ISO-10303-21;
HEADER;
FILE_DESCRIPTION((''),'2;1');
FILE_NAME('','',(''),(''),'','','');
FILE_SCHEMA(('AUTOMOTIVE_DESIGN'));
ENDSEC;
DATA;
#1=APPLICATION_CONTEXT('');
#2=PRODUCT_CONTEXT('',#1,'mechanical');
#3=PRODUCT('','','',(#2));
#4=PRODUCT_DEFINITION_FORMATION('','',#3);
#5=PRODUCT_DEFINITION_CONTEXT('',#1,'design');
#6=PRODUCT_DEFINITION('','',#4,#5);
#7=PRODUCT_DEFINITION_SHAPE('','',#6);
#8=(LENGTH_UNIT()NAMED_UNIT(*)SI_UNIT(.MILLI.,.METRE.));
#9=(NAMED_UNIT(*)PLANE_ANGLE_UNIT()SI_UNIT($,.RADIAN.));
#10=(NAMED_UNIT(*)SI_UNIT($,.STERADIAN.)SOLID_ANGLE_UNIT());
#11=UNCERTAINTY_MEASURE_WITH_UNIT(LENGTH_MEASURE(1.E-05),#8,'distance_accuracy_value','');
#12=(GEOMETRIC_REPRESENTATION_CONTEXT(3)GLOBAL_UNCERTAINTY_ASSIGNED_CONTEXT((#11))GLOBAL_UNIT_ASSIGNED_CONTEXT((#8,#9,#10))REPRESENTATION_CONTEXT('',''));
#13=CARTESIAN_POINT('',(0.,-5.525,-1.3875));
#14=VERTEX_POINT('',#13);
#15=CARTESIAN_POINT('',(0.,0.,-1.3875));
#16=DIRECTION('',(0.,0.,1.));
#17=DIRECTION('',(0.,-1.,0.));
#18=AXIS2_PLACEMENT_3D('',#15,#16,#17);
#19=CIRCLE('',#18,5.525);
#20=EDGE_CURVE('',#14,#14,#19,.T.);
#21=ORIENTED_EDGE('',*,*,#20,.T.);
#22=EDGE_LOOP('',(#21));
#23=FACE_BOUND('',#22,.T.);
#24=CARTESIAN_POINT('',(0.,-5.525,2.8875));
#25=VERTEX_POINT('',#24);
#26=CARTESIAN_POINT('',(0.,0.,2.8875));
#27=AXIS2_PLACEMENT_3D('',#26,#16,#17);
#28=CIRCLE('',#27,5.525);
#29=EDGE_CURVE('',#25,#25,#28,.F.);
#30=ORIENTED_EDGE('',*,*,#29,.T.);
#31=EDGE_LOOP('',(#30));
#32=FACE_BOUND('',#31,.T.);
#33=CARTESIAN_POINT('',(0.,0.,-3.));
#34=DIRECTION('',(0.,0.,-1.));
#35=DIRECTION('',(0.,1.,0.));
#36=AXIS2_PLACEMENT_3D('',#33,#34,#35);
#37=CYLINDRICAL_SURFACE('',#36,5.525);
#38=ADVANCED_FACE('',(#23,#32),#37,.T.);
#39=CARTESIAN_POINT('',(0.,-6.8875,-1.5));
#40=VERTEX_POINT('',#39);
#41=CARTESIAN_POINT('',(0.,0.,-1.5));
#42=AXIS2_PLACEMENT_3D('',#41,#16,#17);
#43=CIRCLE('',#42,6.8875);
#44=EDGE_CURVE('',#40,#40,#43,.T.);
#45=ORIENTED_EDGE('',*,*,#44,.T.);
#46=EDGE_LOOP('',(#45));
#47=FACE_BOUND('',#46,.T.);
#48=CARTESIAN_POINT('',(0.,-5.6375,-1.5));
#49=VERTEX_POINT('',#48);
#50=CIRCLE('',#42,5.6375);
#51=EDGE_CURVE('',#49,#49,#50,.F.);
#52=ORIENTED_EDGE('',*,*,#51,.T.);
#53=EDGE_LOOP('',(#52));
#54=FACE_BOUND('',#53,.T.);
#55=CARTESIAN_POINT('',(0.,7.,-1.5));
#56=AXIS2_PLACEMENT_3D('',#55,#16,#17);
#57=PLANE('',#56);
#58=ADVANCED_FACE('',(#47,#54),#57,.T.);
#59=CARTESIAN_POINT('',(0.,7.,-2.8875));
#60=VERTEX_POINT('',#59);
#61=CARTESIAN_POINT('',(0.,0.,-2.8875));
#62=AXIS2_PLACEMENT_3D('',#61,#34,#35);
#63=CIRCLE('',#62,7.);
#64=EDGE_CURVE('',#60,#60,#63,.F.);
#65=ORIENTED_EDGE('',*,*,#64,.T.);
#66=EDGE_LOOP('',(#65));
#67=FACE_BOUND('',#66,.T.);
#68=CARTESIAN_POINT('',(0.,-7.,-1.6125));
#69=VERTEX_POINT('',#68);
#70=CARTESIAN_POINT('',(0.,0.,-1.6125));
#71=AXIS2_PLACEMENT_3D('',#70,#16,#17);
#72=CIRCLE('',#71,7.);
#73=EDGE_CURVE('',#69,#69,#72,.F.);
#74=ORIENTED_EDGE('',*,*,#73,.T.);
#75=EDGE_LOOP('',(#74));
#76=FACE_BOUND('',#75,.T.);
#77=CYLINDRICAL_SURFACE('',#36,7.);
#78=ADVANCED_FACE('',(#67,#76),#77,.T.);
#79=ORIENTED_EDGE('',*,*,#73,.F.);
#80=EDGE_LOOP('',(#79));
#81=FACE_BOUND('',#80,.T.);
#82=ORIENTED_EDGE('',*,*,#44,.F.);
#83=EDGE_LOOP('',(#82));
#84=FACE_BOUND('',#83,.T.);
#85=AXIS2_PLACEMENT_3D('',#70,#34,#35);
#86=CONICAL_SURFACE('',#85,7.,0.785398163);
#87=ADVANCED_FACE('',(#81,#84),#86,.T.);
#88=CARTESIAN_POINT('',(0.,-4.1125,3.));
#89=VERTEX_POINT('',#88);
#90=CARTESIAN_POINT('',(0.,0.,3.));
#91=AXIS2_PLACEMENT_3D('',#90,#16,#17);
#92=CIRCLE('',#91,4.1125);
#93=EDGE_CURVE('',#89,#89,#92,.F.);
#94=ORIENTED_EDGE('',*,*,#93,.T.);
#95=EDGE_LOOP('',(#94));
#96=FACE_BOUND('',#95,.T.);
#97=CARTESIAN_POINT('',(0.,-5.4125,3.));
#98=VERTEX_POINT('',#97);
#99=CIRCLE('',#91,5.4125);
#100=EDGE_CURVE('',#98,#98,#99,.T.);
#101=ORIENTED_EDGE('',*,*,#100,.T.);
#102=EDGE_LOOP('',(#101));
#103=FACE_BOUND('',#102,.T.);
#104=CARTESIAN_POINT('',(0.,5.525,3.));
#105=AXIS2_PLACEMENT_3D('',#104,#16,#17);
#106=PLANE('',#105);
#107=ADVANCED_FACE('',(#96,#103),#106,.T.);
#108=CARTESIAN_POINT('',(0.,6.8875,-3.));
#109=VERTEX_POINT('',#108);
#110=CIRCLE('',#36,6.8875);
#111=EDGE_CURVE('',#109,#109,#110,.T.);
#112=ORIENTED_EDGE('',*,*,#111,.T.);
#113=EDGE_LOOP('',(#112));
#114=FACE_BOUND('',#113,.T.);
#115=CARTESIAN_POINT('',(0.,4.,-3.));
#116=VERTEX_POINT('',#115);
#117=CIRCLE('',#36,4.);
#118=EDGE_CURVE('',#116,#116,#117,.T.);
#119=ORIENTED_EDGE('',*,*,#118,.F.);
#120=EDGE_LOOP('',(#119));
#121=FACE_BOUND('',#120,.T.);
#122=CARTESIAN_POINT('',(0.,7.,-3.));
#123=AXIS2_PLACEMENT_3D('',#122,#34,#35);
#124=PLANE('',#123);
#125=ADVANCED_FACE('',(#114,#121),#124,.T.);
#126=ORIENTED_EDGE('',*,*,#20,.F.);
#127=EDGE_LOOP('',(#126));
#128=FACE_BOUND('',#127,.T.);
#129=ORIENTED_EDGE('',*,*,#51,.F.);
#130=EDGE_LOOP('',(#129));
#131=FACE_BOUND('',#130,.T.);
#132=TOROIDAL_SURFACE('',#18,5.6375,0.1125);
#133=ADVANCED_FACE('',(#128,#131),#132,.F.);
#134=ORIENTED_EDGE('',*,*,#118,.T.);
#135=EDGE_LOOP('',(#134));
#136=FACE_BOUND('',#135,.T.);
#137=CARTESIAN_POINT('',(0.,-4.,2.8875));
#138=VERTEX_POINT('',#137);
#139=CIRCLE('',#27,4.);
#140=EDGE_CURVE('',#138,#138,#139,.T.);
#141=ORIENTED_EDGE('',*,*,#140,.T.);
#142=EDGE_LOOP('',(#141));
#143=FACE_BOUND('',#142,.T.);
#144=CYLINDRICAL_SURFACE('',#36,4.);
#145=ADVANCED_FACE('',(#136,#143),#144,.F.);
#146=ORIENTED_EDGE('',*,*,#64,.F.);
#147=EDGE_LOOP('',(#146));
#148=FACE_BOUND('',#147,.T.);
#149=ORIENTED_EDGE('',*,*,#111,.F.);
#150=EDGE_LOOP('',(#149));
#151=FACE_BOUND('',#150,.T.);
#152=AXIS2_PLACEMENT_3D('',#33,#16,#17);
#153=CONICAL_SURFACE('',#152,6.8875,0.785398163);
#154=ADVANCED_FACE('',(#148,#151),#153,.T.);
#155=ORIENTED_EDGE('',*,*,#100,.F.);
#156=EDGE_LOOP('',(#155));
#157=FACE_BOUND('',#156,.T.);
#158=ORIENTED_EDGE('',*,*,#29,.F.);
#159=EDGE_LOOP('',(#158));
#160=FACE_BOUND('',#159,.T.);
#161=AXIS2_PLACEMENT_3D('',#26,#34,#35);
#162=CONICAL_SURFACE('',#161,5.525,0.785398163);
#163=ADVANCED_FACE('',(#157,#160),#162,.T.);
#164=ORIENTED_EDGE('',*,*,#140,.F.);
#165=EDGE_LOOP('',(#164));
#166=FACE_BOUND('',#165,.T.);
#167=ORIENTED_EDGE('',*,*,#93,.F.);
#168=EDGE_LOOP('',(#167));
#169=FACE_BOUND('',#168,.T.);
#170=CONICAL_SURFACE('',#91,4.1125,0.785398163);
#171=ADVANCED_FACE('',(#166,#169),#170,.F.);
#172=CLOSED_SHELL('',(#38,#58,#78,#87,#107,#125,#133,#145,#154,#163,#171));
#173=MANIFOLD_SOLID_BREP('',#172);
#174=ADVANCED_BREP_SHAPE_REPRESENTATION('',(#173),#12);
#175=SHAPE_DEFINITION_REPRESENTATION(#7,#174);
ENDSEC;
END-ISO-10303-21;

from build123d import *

# Parameters (mm, degrees)
CHAMFER1_SIZE = 0.1125
FILLET1_R     = 0.1125


with BuildPart() as part:
    # Sketch3 → Revolve1 (revolve)
    with BuildSketch(Plane(origin=(0, 0, 0), x_dir=(0, 0, -1), z_dir=(1, 0, 0))):
        Polygon((3, 7), (1.5, 7), (1.5, 5.525), (-3, 5.525), (-3, 4), (3, 4), align=None)
    revolve(axis=Axis((0, 0, -3), (0, 0, 1)))

    # Chamfer1
    chamfer1_edges = [part.edges().sort_by_distance(p)[0] for p in [
        (0, -4, 3),
        (0, -5.525, 3),
        (0, -7, -1.5),
        (0, -7, -3),
    ]]
    chamfer(chamfer1_edges, length=CHAMFER1_SIZE)

    # Fillet1
    fillet1_edges = [part.edges().sort_by_distance(p)[0] for p in [
        (0, -5.525, -1.5),
    ]]
    fillet(fillet1_edges, radius=FILLET1_R)


solid = part.part
